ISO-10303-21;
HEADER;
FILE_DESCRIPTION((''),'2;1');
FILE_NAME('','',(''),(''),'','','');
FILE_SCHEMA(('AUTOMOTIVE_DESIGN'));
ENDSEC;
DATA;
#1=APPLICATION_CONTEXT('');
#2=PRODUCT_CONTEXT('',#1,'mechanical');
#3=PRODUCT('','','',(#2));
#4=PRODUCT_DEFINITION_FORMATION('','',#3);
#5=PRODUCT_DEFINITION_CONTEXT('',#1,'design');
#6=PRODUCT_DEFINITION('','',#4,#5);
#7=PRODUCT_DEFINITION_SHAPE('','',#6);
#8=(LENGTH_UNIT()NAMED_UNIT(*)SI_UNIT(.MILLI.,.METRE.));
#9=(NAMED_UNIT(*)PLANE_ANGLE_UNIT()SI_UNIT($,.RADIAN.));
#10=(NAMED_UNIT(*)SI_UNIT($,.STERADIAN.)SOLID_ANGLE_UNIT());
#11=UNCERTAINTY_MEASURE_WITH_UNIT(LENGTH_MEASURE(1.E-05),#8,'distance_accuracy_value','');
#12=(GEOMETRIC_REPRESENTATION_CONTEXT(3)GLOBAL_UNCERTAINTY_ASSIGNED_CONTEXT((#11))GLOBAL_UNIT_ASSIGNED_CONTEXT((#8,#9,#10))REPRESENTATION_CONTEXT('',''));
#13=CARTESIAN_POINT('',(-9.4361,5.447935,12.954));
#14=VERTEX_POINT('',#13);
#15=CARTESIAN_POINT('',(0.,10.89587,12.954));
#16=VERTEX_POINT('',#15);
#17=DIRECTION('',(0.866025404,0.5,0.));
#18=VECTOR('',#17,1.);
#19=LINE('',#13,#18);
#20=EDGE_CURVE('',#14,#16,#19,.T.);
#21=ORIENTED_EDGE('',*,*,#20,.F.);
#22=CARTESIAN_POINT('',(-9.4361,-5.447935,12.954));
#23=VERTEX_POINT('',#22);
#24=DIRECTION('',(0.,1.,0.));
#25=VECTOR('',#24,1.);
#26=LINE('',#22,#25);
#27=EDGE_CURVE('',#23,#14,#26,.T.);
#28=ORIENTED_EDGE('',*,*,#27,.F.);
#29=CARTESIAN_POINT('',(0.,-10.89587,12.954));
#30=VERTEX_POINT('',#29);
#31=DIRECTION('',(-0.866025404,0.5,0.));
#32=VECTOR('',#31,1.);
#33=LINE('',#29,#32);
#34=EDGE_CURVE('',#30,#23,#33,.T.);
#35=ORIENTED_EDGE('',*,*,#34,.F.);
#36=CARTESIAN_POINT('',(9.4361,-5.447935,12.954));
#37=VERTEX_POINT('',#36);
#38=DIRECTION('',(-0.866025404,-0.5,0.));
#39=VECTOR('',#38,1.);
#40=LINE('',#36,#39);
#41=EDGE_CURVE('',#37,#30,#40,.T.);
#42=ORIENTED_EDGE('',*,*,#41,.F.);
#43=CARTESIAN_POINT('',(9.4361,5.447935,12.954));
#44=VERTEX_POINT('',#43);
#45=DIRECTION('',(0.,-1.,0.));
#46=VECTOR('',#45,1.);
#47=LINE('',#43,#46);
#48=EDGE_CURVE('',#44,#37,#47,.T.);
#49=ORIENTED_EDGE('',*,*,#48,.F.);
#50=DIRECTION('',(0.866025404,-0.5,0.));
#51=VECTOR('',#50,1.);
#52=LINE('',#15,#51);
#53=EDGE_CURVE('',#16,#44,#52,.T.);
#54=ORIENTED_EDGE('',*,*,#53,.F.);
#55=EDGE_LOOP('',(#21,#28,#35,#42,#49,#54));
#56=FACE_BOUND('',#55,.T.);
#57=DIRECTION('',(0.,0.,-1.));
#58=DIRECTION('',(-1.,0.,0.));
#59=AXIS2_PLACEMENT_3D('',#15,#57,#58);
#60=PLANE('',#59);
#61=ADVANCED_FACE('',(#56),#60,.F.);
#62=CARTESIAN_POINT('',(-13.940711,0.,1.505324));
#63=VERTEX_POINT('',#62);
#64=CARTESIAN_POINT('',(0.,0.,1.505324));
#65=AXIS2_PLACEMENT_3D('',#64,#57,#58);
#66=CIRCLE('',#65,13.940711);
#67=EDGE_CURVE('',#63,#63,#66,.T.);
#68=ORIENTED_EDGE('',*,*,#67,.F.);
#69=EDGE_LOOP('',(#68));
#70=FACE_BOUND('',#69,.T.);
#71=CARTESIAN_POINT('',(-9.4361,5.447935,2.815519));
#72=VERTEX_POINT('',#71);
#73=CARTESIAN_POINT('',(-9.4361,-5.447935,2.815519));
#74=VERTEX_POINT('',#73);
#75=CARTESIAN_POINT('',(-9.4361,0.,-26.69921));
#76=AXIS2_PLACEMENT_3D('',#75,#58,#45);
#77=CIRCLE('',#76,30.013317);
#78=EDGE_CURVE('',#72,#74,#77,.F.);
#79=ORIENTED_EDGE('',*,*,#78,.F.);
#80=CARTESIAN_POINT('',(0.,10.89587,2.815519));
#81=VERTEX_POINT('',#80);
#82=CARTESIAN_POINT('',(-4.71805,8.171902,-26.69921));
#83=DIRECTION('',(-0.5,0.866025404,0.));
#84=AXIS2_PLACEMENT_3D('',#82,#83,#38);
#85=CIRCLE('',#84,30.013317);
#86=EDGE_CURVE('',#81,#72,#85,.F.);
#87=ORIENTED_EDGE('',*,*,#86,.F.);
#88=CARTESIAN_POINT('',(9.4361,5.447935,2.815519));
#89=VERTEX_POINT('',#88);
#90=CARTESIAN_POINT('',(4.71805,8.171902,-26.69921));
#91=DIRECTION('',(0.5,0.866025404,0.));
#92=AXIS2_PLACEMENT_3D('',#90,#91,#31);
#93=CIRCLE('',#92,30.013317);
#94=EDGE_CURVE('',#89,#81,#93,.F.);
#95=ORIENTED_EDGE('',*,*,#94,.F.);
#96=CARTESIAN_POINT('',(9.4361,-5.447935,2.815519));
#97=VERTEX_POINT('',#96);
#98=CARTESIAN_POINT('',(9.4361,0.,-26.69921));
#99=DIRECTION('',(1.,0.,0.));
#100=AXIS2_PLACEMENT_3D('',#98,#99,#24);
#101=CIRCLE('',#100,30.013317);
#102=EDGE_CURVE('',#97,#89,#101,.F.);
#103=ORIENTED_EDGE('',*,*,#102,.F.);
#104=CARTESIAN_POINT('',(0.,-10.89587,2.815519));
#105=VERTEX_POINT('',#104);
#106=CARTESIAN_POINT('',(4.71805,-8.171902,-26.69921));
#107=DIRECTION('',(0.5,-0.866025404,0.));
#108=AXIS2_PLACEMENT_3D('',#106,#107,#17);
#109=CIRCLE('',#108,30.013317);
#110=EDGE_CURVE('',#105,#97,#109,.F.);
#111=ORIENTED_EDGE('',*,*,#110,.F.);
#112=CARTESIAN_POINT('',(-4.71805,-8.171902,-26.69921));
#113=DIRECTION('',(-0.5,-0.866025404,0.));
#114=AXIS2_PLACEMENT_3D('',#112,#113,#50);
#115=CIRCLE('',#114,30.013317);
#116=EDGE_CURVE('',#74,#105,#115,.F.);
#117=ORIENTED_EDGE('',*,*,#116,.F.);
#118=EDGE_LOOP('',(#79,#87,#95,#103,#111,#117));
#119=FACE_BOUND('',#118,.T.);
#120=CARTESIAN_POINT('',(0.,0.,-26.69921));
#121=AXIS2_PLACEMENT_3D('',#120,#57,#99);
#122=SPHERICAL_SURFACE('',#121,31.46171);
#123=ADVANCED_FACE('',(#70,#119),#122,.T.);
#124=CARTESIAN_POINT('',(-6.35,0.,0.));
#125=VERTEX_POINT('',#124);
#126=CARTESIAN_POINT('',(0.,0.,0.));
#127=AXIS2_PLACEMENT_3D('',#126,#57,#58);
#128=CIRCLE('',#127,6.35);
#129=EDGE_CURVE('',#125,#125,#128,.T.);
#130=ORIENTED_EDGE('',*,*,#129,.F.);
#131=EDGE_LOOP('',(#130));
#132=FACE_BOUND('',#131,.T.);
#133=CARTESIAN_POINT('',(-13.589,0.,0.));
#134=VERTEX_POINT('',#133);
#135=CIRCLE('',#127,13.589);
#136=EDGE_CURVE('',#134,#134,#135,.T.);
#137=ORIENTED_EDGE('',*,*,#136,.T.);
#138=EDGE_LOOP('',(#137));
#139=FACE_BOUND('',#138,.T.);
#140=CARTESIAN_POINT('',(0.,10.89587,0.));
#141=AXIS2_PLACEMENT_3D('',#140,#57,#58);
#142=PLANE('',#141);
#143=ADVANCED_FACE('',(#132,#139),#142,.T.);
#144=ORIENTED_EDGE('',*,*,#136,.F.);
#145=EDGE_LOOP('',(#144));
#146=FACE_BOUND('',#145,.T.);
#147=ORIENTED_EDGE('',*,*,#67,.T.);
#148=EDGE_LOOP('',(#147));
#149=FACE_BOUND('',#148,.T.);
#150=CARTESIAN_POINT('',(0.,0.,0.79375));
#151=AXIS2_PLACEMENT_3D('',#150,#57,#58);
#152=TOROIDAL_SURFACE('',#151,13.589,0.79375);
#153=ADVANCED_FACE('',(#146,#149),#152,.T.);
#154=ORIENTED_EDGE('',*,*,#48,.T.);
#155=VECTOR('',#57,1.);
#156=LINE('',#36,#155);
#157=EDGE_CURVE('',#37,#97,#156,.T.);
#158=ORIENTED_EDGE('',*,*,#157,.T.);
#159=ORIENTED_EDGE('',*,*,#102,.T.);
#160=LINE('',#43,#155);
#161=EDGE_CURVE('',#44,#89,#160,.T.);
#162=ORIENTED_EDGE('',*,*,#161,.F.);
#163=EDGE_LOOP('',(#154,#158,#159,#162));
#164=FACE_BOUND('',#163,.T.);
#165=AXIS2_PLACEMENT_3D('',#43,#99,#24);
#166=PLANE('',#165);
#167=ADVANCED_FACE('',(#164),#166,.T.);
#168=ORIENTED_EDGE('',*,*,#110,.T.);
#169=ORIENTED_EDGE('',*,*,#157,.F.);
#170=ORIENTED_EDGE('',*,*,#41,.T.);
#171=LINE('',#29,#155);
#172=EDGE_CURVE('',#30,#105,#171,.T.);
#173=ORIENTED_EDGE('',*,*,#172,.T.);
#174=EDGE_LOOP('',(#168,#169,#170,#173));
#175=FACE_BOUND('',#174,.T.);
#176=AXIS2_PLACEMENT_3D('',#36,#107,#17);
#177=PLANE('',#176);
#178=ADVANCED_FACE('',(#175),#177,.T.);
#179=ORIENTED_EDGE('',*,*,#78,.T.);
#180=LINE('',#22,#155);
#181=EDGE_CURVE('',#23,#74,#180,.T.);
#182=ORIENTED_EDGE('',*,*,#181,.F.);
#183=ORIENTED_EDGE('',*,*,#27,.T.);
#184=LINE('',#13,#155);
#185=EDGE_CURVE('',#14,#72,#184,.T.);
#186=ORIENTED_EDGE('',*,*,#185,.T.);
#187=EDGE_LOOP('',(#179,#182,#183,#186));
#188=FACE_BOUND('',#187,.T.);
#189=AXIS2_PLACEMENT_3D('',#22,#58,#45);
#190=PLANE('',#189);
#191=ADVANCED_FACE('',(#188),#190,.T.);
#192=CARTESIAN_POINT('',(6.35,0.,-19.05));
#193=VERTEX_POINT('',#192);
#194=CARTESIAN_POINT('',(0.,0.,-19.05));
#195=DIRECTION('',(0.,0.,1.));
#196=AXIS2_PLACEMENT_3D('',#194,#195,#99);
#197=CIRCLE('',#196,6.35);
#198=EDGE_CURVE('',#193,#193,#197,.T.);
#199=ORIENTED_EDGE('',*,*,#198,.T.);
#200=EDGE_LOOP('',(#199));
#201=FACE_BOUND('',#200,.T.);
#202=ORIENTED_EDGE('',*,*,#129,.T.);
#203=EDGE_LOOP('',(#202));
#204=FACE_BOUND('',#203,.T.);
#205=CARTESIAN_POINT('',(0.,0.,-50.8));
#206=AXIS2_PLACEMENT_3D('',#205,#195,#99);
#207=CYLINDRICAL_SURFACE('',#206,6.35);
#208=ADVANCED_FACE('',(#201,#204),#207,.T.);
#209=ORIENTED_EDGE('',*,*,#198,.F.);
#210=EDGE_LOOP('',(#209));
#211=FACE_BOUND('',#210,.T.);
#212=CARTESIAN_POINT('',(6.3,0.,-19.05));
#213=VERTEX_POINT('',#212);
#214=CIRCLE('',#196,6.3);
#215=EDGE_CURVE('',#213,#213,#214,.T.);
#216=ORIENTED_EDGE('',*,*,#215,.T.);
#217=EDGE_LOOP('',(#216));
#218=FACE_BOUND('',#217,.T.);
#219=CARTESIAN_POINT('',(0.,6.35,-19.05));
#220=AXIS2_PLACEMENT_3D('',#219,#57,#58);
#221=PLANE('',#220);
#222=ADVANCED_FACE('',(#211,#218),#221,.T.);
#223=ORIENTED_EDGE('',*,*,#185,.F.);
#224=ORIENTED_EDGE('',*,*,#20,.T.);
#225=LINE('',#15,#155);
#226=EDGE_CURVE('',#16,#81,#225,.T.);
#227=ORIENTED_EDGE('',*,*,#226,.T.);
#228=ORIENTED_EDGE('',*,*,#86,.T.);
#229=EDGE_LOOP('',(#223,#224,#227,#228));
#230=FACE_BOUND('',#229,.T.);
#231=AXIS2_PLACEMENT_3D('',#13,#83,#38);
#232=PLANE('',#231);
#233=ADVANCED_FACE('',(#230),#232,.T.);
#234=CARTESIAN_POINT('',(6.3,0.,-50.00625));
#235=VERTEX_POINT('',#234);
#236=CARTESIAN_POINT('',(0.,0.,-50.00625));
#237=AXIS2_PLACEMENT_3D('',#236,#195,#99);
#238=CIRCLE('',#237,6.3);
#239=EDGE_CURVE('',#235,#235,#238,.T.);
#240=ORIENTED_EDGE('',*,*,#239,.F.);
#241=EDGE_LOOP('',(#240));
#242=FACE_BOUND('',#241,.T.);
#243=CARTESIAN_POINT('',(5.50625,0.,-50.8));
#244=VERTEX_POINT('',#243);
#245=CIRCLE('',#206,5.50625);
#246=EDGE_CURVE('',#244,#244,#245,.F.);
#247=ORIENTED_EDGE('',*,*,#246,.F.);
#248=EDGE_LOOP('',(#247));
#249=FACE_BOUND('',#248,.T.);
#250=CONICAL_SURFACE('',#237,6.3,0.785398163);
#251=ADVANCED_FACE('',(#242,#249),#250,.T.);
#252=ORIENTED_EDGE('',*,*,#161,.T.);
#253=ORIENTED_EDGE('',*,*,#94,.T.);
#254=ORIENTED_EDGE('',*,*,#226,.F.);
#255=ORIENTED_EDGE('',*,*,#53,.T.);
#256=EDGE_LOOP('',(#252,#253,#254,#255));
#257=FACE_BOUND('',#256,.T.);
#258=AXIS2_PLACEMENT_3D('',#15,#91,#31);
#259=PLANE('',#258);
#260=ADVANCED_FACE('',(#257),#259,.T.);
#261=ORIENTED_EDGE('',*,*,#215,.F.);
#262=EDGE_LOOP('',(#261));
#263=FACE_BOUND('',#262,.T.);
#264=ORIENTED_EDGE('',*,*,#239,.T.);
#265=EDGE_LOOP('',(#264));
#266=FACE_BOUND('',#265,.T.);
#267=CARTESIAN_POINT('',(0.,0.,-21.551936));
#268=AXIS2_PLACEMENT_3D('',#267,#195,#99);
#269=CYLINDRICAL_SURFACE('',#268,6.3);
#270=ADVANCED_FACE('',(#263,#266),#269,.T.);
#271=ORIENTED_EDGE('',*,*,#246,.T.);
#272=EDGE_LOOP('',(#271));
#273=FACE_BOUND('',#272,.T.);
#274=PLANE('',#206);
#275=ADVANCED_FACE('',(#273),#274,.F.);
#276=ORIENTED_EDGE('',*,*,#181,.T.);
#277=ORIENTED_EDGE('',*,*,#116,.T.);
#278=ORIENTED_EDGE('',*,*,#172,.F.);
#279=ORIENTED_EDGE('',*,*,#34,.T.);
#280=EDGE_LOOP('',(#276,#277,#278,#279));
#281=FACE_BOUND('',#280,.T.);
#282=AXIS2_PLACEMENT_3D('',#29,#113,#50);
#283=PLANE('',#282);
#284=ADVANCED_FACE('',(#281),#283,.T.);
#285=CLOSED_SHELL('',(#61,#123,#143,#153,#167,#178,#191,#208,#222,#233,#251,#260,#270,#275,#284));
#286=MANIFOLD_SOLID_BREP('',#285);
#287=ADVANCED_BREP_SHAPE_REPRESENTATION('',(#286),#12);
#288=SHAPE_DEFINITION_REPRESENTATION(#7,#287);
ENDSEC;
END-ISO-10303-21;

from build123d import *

# Parameters (mm, degrees)
HEAD_DEPTH     = 12.954
SHANK_SKETCH_R = 6.35
SHANK_DEPTH    = 50.8
THREAD_END_W   = 31.75
THREAD_END_H   = 0.05
CHAMFER1_SIZE  = 0.79375


with BuildPart() as part:
    # Head Sketch → Head (new body)
    with BuildSketch(Plane.XY):
        Polygon((0, 10.89586975), (9.4361, 5.447934875), (9.4361, -5.447934875), (0, -10.89586975), (-9.4361, -5.447934875), (-9.4361, 5.447934875), align=None)
    extrude(amount=HEAD_DEPTH)

    # Shank Sketch → Shank (add)
    with BuildSketch(Plane.XY):
        Circle(SHANK_SKETCH_R)
    extrude(amount=-SHANK_DEPTH)

    # Sketch3 → Flange (revolve)
    with BuildSketch(Plane(origin=(0, 0, 0), x_dir=(-1, 0, 0), z_dir=(0, 1, 0))):
        with BuildLine():
            Line((-13.589, 0), (0, 0))
            Line((0, 0), (0, 4.7625))
            ThreePointArc((0, 4.7625), (-7.158083275, 3.937386416), (-13.940711322, 1.505324458))
            ThreePointArc((-13.940711322, 1.505324458), (-14.361933143, 0.613158144), (-13.589, 0))
        make_face()
    revolve(axis=Axis((0, 0, 0), (0, 0, 1)))

    # Thread End → Thread Cut (revolve, cut)
    with BuildSketch(Plane(origin=(0, 0, 0), x_dir=(0, 0, -1), z_dir=(1, 0, 0))):
        with Locations((34.925, 6.325)):
            Rectangle(THREAD_END_W, THREAD_END_H)
    revolve(axis=Axis((0, 0, -21.551935625), (0, 0, -1)), mode=Mode.SUBTRACT)

    # Chamfer1
    chamfer1_edges = [part.edges().sort_by_distance(p)[0] for p in [
        (0, -6.3, -50.8),
    ]]
    chamfer(chamfer1_edges, length=CHAMFER1_SIZE)


solid = part.part
